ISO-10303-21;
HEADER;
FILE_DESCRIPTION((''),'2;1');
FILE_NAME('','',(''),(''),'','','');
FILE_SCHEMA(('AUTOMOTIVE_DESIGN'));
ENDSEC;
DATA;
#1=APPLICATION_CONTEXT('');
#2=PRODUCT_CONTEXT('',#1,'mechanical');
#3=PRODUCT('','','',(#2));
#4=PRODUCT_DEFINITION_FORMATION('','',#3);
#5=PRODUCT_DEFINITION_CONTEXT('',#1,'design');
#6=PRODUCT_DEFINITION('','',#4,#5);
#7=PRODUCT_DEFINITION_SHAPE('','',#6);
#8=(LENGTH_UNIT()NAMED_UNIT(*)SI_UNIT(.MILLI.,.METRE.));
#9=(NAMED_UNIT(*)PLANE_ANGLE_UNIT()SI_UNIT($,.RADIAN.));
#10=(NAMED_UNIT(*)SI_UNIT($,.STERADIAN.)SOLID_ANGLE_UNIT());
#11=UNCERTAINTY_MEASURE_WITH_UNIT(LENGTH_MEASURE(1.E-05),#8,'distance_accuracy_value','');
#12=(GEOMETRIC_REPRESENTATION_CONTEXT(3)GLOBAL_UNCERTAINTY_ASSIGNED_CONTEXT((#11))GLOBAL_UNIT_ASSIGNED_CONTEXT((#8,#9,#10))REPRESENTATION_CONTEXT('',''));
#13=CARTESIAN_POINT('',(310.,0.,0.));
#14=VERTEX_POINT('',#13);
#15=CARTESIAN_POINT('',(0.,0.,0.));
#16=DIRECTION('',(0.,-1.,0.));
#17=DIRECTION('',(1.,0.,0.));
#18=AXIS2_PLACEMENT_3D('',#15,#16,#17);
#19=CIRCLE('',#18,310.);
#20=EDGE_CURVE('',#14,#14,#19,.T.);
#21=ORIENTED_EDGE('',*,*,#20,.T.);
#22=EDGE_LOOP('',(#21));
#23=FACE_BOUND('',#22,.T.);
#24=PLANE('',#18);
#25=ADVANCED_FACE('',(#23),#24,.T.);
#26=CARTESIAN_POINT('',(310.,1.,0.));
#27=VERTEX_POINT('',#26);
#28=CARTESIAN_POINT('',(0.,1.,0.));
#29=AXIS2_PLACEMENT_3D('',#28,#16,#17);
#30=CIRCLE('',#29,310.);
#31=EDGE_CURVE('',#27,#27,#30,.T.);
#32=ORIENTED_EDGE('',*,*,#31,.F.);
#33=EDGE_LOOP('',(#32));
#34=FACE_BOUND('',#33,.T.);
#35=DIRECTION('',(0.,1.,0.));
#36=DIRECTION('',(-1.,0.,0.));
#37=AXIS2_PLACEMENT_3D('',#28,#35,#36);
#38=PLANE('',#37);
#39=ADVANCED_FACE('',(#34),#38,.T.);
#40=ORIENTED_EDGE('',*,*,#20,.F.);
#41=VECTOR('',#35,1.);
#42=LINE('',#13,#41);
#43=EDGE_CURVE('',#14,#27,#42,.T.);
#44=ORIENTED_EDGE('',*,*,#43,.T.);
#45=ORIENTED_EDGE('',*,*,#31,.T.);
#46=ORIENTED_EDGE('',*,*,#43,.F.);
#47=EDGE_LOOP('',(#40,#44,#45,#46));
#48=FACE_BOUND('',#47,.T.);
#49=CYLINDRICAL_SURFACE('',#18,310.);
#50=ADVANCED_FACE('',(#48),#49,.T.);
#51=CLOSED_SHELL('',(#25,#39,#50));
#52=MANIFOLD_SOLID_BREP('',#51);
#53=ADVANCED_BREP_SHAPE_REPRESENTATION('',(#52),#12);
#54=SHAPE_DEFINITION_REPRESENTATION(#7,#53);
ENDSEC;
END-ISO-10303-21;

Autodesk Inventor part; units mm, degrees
ref_plane "YZ Plane" through (0, 0, 0) normal (1, 0, 0) x (0, 1, 0)
ref_plane "XZ Plane" through (0, 0, 0) normal (0, 1, 0) x (-1, 0, 0)
ref_plane "XY Plane" through (0, 0, 0) normal (0, 0, 1) x (1, 0, 0)
sketch "Sketch1" plane through (0, 0, 0) normal (0, 1, 0) x (-1, 0, 0)
  line L0 (-500, 500) -> (500, 500)
  line L1 (500, 500) -> (500, -500)
  line L2 (500, -500) -> (-500, -500)
  line L3 (-500, -500) -> (-500, 500)
  line L4 (-500, 500) -> (500, -500) construction
  line L5 (500, 500) -> (-500, -500) construction
  point P0 (0, 0)
  dimension "d0" = 1000
  dimension "d1" = 1000
extrude "Extrusion1" add sketch "Sketch1" along normal blind 1
sketch "Sketch2" plane through (0, 0, 0) normal (0, -1, 0) x (1, 0, 0)
  circle A0 centre (0, 0) radius 310
  dimension "d4" = 620
extrude "Extrusion2" cut sketch "Sketch2" against normal blind 10 keep common part
sketch "Sketch4" plane through (0, 1, 0) normal (0, 1, 0) x (1, 0, 0)
  line L0 (-189.0277, 123.4538) -> (208.219, 123.4538) construction
  line L1 (208.219, 123.4538) -> (208.219, -251.5692) construction
  line L2 (208.219, -251.5692) -> (-189.0277, -251.5692) construction
  line L3 (-189.0277, -251.5692) -> (-189.0277, 123.4538) construction
  point P0 (0, 0)
properties part number "materia okragly R600"
